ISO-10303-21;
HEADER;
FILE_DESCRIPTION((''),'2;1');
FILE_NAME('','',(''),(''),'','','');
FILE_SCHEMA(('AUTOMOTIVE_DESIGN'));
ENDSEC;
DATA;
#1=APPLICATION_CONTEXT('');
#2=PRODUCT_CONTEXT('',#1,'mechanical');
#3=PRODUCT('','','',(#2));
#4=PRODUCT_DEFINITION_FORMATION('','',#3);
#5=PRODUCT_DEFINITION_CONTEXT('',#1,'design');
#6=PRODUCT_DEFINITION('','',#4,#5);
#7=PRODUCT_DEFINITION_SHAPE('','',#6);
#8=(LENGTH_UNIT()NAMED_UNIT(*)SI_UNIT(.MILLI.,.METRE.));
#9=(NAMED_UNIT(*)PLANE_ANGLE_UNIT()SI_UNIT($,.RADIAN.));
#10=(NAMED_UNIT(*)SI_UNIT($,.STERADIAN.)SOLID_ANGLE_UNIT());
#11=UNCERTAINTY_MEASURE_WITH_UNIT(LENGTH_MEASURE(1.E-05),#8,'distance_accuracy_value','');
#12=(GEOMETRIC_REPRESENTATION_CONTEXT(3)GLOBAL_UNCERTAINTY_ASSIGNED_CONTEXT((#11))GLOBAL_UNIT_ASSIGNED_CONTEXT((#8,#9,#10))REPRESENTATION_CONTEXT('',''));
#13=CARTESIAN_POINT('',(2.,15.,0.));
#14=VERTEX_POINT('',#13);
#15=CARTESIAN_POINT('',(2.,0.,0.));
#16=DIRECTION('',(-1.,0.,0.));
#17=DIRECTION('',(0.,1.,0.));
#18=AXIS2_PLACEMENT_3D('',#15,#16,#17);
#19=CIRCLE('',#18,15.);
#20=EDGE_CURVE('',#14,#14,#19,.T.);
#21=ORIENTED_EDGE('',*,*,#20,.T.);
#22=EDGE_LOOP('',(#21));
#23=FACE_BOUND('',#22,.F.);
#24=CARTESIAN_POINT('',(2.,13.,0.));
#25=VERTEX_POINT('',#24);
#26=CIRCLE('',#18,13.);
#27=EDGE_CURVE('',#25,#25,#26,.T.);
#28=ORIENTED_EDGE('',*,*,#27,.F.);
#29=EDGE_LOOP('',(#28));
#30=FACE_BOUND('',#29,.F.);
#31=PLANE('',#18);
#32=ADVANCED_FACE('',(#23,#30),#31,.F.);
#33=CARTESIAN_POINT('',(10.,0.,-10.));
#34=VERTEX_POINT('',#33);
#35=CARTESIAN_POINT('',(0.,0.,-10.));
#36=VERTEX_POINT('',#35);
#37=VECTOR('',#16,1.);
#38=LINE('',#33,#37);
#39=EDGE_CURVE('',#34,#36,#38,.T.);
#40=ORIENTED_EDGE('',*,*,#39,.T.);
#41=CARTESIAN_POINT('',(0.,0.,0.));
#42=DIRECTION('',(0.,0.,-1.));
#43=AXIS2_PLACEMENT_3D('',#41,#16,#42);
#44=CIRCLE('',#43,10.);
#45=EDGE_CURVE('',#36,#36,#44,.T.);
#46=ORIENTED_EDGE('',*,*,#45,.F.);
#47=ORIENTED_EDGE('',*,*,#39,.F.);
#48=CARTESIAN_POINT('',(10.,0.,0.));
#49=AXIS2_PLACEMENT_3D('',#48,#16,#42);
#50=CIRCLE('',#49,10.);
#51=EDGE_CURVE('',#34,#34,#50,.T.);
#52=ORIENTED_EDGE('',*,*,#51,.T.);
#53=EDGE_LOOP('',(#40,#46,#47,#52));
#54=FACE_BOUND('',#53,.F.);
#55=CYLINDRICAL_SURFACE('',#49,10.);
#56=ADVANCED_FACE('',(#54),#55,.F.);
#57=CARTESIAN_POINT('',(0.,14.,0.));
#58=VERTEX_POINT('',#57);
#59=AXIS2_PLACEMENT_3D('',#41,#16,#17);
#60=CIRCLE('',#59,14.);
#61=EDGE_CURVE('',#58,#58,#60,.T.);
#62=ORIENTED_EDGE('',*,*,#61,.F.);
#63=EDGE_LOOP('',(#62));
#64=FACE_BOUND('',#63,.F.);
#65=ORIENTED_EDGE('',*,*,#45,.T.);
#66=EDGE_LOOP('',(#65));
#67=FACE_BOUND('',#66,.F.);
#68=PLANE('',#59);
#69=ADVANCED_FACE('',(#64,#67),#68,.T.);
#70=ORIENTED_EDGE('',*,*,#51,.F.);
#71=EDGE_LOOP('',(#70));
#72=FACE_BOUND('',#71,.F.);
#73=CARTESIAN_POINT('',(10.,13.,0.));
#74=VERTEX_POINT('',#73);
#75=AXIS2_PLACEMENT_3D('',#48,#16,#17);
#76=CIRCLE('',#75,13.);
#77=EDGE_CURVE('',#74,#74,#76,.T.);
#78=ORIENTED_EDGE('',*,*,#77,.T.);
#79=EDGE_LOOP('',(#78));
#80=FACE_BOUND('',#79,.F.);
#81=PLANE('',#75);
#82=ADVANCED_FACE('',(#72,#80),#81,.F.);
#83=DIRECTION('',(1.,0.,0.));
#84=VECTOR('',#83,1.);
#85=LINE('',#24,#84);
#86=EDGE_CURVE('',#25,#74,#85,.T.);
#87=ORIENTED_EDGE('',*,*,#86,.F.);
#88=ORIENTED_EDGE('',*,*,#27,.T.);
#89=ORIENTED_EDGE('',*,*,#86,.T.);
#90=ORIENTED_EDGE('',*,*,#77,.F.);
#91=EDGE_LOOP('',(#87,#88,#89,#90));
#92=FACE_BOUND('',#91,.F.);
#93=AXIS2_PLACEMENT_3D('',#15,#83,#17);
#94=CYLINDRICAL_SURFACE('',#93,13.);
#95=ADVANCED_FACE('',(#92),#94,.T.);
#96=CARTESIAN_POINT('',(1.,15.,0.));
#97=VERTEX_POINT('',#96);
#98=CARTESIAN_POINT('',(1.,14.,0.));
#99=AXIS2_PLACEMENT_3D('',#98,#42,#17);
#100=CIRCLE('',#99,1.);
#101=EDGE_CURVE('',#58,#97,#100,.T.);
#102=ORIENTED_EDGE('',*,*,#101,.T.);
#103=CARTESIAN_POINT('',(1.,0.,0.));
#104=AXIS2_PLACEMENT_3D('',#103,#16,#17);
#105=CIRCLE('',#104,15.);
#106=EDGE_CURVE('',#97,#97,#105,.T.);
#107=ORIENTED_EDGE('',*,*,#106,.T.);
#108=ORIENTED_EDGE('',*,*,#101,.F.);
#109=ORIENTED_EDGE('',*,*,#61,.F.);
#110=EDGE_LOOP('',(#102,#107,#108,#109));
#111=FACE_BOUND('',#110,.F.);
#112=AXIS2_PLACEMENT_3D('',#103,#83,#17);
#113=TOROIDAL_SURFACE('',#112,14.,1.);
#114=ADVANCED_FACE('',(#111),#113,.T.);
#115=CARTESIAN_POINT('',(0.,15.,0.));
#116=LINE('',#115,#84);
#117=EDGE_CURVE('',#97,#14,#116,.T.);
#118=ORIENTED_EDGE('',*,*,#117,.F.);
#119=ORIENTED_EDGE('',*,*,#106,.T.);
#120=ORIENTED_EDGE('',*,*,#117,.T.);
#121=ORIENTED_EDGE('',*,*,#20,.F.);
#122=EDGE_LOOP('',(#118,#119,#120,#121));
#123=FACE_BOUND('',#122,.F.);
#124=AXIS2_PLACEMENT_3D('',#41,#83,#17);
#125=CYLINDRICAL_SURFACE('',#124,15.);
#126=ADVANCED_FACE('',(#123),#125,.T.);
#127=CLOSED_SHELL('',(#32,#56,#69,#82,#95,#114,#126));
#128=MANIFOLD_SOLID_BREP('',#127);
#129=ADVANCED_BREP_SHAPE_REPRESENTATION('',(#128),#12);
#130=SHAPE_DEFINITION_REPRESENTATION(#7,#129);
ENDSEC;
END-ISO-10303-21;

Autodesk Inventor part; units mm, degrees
ref_plane "YZ Plane" through (0, 0, 0) normal (1, 0, 0) x (0, 1, 0)
ref_plane "XZ Plane" through (0, 0, 0) normal (0, 1, 0) x (-1, 0, 0)
ref_plane "XY Plane" through (0, 0, 0) normal (0, 0, 1) x (1, 0, 0)
sketch "Sketch1" plane through (0, 0, 0) normal (0, 0, 1) x (1, 0, 0)
  line L0 (0, 0) -> (0, 15)
  line L1 (0, 15) -> (2, 15)
  line L2 (2, 15) -> (2, 13)
  line L3 (2, 13) -> (10, 13)
  line L4 (10, 13) -> (10, 0)
  line L5 (10, 0) -> (0, 0)
  dimension "d0" = 2
  dimension "d1" = 8
  dimension "d2" = 30
  dimension "d3" = 26
revolve "Revolution1" add sketch "Sketch1" angle 360 about axis through (10, 0, 0) along (-1, 0, 0)
fillet "Fillet1" radius 1 1 edges at (0, -15, 0)
sketch "Sketch2" plane through (10, 0, 0) normal (1, 0, 0) x (0, 0, -1)
  circle A0 centre (0, 0) radius 13 projected
  point P0 (0, 0)
hole "Hole1" at (10, 0, 0) direction (-1, 0, 0) diameter 20 depth 10
properties part number "101 part 3" material "Copper, Alloy"
